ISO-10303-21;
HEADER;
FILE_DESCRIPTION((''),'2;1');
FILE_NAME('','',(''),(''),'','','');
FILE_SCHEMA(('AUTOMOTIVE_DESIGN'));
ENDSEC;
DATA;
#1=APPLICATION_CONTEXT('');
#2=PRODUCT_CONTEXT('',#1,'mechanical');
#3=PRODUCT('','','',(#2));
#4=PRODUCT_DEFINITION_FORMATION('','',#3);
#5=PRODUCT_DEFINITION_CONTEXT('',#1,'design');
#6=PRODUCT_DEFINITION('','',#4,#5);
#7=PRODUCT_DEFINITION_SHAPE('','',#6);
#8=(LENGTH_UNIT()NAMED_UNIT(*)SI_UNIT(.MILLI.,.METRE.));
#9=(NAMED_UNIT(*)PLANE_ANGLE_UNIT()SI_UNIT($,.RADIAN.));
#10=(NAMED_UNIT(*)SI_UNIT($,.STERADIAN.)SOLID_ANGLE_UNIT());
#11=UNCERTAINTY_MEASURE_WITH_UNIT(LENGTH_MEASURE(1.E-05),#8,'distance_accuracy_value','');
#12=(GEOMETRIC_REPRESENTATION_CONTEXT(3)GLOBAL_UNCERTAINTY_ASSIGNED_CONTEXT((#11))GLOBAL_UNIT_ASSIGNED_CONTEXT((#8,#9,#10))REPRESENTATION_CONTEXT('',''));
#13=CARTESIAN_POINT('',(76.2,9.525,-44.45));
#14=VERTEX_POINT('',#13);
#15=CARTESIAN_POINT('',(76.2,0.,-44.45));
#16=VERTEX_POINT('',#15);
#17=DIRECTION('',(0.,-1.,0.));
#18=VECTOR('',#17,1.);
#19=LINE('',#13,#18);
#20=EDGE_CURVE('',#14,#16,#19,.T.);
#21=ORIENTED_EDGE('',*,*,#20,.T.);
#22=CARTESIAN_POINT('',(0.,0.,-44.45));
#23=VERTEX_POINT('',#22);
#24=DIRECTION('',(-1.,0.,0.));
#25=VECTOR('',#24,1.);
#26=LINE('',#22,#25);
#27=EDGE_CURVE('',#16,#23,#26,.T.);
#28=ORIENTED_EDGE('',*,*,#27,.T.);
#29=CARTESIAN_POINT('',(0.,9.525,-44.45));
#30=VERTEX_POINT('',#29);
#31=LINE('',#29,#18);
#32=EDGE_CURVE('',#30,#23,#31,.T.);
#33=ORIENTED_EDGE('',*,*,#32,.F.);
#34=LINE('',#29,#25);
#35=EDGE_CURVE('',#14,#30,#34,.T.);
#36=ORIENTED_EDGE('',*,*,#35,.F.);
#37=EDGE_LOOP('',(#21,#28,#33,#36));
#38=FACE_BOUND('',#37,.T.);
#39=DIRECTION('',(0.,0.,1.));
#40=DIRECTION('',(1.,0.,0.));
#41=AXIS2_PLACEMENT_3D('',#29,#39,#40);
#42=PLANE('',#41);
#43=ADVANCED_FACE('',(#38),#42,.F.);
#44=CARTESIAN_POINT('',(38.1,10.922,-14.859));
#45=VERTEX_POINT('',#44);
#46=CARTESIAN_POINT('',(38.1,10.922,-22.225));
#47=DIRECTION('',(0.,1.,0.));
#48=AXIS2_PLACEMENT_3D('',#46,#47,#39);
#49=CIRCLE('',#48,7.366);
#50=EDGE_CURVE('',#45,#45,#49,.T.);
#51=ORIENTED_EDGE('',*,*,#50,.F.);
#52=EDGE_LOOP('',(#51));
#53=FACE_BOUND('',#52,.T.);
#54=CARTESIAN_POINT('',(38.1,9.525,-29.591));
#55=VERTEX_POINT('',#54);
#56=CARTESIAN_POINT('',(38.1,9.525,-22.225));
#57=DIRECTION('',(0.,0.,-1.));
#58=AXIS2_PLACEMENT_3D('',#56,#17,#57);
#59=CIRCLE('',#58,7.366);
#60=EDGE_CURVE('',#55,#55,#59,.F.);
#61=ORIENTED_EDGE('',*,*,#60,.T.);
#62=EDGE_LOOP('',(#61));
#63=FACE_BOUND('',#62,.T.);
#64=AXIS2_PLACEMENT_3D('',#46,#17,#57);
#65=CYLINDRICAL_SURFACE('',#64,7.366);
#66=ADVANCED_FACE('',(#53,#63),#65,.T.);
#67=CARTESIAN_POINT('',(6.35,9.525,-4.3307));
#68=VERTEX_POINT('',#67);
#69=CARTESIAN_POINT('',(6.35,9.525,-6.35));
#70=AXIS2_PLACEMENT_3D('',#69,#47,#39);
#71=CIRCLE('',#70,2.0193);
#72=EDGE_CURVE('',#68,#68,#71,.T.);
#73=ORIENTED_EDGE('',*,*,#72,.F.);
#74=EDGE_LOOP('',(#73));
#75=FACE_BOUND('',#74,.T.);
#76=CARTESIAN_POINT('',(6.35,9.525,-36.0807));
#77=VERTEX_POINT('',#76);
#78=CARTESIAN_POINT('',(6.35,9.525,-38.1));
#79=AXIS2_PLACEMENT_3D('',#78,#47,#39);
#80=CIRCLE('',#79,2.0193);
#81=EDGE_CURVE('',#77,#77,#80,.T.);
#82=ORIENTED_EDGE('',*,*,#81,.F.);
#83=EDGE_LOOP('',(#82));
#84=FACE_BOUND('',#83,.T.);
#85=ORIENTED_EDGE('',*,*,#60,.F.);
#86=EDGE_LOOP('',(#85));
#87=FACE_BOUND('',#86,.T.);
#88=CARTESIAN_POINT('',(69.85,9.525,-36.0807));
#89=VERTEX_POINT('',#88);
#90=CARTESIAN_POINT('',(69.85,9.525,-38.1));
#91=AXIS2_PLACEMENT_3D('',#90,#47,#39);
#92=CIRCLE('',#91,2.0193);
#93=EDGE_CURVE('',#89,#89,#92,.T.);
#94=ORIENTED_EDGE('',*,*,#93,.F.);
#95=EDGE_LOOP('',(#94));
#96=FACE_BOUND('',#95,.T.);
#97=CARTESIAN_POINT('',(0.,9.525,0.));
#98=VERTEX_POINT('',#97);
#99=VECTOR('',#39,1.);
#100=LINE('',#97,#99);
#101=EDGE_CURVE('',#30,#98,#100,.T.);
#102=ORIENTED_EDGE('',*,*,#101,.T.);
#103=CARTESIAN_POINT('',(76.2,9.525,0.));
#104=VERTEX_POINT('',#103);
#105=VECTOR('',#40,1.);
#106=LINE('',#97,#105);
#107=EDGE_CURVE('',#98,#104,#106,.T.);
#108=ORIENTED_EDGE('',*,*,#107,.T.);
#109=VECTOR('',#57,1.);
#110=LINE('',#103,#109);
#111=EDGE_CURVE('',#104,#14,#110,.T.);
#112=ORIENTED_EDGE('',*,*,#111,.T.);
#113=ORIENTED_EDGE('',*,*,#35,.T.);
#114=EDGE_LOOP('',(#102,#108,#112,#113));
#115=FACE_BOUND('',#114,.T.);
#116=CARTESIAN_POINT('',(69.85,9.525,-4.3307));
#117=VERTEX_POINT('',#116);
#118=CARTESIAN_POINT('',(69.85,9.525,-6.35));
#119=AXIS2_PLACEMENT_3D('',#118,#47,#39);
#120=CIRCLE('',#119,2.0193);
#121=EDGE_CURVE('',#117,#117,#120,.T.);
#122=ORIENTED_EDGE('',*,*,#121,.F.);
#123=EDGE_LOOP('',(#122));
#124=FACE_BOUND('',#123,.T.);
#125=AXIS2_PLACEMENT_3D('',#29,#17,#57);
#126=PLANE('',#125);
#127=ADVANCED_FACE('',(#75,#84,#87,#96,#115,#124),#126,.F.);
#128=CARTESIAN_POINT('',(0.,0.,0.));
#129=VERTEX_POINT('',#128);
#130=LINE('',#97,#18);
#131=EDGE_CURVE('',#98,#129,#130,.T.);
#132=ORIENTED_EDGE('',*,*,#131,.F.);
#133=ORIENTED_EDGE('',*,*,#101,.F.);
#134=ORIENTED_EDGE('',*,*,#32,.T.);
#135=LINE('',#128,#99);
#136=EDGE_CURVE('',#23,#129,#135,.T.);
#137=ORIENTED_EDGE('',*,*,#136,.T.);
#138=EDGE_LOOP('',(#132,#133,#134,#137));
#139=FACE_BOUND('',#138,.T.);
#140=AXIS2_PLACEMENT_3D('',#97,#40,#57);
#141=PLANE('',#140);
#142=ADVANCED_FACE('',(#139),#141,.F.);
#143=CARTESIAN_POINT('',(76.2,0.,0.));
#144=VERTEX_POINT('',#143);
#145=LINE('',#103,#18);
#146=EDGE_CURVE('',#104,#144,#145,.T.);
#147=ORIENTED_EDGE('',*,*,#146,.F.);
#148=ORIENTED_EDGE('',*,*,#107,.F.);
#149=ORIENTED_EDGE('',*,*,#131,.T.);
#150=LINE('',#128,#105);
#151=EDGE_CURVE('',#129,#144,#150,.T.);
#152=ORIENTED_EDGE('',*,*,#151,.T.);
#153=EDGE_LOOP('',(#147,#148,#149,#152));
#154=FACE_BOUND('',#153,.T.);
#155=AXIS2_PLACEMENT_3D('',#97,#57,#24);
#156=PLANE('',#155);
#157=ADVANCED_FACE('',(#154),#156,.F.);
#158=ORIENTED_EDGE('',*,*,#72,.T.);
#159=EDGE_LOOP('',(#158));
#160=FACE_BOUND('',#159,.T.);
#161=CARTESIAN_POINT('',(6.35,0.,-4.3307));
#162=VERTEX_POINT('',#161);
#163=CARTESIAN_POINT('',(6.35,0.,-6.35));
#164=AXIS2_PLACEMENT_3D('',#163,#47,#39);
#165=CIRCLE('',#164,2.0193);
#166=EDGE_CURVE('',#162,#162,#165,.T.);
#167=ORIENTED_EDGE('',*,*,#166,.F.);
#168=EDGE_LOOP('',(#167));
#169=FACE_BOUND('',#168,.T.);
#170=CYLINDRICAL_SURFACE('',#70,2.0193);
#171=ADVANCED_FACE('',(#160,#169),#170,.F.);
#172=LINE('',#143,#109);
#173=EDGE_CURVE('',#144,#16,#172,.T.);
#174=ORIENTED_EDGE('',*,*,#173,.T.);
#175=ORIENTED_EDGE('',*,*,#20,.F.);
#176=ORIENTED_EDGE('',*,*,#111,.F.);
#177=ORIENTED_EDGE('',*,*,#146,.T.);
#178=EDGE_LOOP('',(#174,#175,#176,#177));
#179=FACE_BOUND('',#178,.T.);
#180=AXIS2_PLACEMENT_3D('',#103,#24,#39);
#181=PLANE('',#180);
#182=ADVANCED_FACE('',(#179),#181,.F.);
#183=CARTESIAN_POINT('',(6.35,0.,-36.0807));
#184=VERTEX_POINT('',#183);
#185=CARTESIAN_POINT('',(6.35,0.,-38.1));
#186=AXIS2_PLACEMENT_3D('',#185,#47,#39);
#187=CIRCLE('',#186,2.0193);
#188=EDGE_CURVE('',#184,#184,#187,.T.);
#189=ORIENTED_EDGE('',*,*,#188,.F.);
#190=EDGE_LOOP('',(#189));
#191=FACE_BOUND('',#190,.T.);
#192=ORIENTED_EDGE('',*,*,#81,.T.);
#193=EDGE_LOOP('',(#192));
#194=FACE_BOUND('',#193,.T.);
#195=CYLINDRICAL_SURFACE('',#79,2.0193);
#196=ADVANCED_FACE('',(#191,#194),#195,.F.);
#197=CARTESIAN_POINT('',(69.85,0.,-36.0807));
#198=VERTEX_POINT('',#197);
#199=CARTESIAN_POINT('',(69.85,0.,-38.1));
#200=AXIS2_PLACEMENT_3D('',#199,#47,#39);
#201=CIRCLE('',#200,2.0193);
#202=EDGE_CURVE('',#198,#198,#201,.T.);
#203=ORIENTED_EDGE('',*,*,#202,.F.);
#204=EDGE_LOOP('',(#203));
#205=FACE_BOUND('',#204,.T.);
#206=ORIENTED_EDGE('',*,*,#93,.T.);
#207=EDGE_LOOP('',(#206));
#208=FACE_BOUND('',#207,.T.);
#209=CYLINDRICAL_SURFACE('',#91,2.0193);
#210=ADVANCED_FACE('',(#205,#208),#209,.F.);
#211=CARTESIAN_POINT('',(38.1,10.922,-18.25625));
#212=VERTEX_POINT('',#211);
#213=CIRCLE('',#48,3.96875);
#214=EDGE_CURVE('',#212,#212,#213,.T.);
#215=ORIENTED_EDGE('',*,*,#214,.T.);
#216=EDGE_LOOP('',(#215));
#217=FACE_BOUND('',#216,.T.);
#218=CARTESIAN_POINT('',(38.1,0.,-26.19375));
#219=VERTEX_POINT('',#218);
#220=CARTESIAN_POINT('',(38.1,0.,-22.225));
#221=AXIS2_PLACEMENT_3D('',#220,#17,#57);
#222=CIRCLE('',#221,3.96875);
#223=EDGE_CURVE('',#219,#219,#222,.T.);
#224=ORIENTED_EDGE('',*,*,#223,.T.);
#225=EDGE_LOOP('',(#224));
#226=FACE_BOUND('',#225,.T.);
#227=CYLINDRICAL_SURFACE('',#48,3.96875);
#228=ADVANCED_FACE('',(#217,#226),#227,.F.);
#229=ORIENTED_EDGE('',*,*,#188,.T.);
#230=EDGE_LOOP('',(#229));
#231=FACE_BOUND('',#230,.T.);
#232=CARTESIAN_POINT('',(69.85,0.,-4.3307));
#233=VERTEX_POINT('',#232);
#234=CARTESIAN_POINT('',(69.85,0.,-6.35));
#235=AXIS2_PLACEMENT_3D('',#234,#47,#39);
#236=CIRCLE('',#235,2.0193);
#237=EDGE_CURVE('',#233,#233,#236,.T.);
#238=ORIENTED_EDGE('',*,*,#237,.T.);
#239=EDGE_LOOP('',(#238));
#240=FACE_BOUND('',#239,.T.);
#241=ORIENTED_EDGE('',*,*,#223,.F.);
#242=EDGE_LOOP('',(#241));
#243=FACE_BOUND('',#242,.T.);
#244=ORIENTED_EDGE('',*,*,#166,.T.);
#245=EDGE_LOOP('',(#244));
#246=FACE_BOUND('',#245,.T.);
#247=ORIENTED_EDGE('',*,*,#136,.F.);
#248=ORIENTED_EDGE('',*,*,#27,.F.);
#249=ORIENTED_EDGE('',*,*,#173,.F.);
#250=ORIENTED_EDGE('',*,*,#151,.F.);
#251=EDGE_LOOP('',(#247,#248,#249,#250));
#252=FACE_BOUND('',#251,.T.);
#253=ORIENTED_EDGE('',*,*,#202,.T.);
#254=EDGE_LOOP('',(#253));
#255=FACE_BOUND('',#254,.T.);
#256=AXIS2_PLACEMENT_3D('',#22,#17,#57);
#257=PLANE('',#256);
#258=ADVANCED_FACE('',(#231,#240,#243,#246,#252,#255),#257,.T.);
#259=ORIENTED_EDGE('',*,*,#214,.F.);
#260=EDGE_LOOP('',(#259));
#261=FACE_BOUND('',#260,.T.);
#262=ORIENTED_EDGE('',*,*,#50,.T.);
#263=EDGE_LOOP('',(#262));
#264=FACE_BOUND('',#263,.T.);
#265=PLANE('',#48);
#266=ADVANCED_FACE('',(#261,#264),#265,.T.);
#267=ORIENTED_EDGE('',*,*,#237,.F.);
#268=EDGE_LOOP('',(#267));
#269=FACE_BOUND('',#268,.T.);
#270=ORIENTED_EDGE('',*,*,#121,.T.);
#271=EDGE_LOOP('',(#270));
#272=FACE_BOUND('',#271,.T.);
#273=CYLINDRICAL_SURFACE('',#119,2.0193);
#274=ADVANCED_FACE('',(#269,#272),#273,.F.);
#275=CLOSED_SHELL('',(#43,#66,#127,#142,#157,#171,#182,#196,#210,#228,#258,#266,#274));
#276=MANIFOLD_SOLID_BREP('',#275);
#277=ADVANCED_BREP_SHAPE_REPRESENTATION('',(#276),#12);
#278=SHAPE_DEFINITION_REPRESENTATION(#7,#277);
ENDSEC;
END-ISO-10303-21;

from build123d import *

# Parameters (mm, degrees)
SKETCH1_W               = 76.2
SKETCH1_H               = 44.45
BOSS_EXTRUDE1_DEPTH     = 9.525
F_10_32_TAPPED_HOLE1_D  = 4.0386
SKETCH9_R               = 7.366
BOSS_EXTRUDE2_DEPTH     = 1.397
F_3_8_16_TAPPED_HOLE1_D = 7.9375


with BuildPart() as part:
    # Sketch1 → Boss-Extrude1 (new body)
    with BuildSketch(Plane(origin=(0, 0, 0), x_dir=(1, 0, 0), z_dir=(0, 1, 0))):
        with Locations((38.1, 22.225)):
            Rectangle(SKETCH1_W, SKETCH1_H)
    extrude(amount=BOSS_EXTRUDE1_DEPTH)

    # #10-32 Tapped Hole1 (through all)
    with Locations(Plane(origin=(0, 9.525, 0), x_dir=(-1, 0, 0), z_dir=(0, 1, 0))):
        with Locations((-6.35, -38.1), (-69.85, -38.1), (-69.85, -6.35), (-6.35, -6.35)):
            Hole(F_10_32_TAPPED_HOLE1_D / 2)

    # Sketch9 → Boss-Extrude2 (add)
    with BuildSketch(Plane(origin=(0, 9.525, 0), x_dir=(1, 0, 0), z_dir=(0, 1, 0))):
        with Locations(Location((38.1, 22.225, 0), (0, 0, 90))):
            Circle(SKETCH9_R)
    extrude(amount=BOSS_EXTRUDE2_DEPTH)

    # 3/8-16 Tapped Hole1 (through all)
    with Locations(Plane(origin=(0, 10.922, 0), x_dir=(-1, 0, 0), z_dir=(0, 1, 0))):
        with Locations((-38.1, -22.225)):
            Hole(F_3_8_16_TAPPED_HOLE1_D / 2)


solid = part.part
